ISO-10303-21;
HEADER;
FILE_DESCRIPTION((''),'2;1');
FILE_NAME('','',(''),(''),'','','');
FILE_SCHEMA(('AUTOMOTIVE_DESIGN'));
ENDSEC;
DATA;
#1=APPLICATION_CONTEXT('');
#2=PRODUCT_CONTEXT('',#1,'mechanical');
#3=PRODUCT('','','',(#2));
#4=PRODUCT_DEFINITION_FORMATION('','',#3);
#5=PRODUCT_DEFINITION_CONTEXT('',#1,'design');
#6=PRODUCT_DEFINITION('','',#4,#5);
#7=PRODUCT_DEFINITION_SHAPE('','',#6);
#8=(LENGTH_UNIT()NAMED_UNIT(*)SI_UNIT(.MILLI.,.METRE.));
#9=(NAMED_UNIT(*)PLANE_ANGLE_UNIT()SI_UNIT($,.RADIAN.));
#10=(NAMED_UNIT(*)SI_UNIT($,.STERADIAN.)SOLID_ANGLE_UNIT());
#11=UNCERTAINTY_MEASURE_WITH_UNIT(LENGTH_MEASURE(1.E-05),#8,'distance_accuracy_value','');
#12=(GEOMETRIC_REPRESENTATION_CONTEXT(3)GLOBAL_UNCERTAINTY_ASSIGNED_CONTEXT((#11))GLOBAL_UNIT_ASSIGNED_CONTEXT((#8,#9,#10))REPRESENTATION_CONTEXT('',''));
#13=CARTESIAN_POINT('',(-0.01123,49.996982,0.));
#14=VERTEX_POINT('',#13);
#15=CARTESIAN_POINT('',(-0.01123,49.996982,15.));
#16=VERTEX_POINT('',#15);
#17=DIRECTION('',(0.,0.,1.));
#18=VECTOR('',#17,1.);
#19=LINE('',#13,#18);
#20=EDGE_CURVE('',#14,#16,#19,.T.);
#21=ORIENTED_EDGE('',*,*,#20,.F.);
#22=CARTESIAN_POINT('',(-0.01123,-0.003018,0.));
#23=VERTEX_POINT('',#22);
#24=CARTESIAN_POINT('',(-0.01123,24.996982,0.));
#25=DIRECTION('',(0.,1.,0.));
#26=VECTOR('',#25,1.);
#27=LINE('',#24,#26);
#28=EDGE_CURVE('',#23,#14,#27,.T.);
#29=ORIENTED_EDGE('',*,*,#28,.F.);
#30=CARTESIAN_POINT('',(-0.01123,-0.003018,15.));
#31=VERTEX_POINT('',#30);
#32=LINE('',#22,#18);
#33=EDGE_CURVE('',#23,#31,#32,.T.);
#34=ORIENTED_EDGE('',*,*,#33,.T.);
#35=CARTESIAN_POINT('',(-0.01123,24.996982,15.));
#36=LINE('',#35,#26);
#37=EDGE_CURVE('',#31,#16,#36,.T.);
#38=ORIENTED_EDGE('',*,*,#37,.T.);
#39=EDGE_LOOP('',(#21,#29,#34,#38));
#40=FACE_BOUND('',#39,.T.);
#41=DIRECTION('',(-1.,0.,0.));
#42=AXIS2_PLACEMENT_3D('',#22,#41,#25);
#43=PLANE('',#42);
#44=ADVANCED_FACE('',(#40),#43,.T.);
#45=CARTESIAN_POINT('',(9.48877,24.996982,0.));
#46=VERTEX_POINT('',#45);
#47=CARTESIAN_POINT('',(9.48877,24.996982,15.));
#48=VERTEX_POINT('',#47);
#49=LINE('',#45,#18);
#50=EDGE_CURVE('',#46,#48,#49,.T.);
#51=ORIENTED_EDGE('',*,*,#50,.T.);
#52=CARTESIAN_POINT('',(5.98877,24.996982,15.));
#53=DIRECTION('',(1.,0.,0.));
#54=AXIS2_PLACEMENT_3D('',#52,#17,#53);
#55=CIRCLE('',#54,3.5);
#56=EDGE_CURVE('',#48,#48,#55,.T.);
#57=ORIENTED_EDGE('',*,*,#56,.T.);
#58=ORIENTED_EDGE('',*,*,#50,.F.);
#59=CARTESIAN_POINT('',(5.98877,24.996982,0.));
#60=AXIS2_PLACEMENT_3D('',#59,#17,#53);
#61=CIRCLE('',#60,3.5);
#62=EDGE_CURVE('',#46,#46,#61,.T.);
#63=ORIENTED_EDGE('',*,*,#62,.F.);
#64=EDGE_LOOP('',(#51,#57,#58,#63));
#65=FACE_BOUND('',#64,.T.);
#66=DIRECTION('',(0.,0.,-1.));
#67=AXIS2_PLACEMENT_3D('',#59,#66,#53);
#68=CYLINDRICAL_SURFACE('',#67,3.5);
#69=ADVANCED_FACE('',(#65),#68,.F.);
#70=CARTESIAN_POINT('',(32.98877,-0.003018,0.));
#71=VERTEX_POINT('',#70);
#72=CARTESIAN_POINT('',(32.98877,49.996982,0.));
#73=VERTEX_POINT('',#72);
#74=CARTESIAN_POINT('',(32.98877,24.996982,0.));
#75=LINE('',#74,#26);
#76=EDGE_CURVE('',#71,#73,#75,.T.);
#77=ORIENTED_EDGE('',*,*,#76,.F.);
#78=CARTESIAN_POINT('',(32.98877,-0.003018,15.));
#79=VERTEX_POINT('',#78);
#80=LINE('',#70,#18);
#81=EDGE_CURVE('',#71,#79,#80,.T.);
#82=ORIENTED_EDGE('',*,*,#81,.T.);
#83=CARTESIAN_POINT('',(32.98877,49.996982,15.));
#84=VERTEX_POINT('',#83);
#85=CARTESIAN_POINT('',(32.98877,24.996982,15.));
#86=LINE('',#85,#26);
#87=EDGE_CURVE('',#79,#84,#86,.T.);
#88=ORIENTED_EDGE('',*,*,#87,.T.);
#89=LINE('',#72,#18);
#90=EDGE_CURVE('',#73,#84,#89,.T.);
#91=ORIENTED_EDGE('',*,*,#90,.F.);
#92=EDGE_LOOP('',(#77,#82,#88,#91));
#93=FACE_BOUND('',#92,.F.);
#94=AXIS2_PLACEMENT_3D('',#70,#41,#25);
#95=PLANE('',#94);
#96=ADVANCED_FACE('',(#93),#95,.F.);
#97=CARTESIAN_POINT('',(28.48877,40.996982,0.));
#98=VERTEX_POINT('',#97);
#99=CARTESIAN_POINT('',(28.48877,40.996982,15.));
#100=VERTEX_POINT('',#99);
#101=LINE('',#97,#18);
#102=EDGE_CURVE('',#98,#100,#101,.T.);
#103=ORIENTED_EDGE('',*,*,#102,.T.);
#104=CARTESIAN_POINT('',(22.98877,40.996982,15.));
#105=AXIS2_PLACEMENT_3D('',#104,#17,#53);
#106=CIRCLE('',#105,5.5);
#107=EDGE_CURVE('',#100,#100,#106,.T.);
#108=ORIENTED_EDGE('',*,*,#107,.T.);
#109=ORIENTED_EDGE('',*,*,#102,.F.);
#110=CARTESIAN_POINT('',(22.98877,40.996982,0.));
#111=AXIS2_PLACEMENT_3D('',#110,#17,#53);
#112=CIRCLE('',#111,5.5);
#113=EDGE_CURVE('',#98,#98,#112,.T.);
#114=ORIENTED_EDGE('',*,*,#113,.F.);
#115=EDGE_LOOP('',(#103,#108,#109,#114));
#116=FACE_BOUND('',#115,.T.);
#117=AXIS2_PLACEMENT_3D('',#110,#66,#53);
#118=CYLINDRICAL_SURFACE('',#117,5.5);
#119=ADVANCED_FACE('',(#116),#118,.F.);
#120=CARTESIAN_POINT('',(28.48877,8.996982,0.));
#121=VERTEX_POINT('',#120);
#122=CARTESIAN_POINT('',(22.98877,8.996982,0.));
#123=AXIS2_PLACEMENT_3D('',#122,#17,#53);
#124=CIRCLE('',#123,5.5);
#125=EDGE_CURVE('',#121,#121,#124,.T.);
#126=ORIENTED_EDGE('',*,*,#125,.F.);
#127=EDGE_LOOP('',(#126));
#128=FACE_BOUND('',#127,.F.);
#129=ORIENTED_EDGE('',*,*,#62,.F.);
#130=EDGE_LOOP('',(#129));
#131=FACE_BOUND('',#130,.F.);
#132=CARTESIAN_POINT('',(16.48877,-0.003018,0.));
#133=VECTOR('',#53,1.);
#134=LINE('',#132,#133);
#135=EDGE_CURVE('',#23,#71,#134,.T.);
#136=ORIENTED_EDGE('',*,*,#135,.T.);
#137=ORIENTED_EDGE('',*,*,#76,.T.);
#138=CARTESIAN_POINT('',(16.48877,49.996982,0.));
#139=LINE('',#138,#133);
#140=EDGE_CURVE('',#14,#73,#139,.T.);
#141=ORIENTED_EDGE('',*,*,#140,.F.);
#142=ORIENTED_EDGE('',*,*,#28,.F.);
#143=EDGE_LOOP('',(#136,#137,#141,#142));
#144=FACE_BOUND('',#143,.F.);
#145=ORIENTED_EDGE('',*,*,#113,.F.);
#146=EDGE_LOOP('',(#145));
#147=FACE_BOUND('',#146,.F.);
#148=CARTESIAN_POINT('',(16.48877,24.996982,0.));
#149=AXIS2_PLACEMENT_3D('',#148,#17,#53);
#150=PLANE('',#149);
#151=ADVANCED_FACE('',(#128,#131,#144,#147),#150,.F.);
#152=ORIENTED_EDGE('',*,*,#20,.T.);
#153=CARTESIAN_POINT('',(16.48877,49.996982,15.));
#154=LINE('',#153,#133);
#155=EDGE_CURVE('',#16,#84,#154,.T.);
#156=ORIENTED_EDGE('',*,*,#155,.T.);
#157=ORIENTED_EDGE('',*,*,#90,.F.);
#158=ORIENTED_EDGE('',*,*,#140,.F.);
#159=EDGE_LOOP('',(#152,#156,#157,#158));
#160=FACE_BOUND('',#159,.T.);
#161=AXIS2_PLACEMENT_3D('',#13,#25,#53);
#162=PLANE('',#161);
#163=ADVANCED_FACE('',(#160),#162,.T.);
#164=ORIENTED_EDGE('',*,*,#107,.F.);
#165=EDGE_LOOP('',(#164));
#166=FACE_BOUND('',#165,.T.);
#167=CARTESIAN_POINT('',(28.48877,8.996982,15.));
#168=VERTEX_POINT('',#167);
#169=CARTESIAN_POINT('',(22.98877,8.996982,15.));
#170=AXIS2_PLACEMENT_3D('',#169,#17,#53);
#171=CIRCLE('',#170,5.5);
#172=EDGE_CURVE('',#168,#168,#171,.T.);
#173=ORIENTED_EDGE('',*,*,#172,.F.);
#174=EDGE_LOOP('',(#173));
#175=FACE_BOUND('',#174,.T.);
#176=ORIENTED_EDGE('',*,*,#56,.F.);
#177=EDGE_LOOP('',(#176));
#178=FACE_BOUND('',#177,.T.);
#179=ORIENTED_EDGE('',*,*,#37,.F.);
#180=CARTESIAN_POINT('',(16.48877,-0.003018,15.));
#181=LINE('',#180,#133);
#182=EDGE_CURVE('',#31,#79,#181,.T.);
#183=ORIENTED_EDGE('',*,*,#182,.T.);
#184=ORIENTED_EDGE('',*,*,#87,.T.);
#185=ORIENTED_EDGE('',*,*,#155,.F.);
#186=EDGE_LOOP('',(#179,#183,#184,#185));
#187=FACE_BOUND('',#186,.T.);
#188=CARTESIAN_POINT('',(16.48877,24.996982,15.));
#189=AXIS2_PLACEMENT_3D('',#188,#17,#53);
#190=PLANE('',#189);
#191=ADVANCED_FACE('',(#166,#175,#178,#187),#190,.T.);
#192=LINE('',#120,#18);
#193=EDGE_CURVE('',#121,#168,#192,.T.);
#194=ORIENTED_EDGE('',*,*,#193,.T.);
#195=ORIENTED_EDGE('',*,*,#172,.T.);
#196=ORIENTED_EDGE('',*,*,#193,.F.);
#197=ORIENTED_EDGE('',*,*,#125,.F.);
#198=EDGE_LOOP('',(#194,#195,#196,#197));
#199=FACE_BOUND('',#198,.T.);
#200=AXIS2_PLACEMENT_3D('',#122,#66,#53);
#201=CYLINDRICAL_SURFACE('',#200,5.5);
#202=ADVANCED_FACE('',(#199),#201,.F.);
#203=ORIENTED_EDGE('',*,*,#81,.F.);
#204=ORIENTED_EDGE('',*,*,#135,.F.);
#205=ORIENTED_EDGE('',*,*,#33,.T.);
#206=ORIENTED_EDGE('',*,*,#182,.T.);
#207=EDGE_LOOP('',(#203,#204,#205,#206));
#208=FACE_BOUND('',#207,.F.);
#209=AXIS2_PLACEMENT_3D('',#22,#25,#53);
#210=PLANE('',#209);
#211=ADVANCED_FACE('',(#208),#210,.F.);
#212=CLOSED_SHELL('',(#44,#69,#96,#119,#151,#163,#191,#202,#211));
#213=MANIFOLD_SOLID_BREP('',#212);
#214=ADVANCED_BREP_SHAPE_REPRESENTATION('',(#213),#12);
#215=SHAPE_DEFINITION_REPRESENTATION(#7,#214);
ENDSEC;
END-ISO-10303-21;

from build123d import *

# Parameters (mm, degrees)
F0_W     = 33
F0_H     = 50
F0_R     = 3.5
F0_R_2   = 5.5
F1_DEPTH = 15


with BuildPart() as f1:
    # F0 (on Top) → F1 (new body)
    with BuildSketch(Plane.XY):
        with Locations((16.48877, 24.996982)):
            Rectangle(F0_W, F0_H)
        with Locations((5.98877, 24.996982)):
            Circle(F0_R, mode=Mode.SUBTRACT)
        with Locations((22.98877, 8.996982)):
            Circle(F0_R_2, mode=Mode.SUBTRACT)
        with Locations((22.98877, 40.996982)):
            Circle(F0_R_2, mode=Mode.SUBTRACT)
    extrude(amount=F1_DEPTH)


solid = f1.part
